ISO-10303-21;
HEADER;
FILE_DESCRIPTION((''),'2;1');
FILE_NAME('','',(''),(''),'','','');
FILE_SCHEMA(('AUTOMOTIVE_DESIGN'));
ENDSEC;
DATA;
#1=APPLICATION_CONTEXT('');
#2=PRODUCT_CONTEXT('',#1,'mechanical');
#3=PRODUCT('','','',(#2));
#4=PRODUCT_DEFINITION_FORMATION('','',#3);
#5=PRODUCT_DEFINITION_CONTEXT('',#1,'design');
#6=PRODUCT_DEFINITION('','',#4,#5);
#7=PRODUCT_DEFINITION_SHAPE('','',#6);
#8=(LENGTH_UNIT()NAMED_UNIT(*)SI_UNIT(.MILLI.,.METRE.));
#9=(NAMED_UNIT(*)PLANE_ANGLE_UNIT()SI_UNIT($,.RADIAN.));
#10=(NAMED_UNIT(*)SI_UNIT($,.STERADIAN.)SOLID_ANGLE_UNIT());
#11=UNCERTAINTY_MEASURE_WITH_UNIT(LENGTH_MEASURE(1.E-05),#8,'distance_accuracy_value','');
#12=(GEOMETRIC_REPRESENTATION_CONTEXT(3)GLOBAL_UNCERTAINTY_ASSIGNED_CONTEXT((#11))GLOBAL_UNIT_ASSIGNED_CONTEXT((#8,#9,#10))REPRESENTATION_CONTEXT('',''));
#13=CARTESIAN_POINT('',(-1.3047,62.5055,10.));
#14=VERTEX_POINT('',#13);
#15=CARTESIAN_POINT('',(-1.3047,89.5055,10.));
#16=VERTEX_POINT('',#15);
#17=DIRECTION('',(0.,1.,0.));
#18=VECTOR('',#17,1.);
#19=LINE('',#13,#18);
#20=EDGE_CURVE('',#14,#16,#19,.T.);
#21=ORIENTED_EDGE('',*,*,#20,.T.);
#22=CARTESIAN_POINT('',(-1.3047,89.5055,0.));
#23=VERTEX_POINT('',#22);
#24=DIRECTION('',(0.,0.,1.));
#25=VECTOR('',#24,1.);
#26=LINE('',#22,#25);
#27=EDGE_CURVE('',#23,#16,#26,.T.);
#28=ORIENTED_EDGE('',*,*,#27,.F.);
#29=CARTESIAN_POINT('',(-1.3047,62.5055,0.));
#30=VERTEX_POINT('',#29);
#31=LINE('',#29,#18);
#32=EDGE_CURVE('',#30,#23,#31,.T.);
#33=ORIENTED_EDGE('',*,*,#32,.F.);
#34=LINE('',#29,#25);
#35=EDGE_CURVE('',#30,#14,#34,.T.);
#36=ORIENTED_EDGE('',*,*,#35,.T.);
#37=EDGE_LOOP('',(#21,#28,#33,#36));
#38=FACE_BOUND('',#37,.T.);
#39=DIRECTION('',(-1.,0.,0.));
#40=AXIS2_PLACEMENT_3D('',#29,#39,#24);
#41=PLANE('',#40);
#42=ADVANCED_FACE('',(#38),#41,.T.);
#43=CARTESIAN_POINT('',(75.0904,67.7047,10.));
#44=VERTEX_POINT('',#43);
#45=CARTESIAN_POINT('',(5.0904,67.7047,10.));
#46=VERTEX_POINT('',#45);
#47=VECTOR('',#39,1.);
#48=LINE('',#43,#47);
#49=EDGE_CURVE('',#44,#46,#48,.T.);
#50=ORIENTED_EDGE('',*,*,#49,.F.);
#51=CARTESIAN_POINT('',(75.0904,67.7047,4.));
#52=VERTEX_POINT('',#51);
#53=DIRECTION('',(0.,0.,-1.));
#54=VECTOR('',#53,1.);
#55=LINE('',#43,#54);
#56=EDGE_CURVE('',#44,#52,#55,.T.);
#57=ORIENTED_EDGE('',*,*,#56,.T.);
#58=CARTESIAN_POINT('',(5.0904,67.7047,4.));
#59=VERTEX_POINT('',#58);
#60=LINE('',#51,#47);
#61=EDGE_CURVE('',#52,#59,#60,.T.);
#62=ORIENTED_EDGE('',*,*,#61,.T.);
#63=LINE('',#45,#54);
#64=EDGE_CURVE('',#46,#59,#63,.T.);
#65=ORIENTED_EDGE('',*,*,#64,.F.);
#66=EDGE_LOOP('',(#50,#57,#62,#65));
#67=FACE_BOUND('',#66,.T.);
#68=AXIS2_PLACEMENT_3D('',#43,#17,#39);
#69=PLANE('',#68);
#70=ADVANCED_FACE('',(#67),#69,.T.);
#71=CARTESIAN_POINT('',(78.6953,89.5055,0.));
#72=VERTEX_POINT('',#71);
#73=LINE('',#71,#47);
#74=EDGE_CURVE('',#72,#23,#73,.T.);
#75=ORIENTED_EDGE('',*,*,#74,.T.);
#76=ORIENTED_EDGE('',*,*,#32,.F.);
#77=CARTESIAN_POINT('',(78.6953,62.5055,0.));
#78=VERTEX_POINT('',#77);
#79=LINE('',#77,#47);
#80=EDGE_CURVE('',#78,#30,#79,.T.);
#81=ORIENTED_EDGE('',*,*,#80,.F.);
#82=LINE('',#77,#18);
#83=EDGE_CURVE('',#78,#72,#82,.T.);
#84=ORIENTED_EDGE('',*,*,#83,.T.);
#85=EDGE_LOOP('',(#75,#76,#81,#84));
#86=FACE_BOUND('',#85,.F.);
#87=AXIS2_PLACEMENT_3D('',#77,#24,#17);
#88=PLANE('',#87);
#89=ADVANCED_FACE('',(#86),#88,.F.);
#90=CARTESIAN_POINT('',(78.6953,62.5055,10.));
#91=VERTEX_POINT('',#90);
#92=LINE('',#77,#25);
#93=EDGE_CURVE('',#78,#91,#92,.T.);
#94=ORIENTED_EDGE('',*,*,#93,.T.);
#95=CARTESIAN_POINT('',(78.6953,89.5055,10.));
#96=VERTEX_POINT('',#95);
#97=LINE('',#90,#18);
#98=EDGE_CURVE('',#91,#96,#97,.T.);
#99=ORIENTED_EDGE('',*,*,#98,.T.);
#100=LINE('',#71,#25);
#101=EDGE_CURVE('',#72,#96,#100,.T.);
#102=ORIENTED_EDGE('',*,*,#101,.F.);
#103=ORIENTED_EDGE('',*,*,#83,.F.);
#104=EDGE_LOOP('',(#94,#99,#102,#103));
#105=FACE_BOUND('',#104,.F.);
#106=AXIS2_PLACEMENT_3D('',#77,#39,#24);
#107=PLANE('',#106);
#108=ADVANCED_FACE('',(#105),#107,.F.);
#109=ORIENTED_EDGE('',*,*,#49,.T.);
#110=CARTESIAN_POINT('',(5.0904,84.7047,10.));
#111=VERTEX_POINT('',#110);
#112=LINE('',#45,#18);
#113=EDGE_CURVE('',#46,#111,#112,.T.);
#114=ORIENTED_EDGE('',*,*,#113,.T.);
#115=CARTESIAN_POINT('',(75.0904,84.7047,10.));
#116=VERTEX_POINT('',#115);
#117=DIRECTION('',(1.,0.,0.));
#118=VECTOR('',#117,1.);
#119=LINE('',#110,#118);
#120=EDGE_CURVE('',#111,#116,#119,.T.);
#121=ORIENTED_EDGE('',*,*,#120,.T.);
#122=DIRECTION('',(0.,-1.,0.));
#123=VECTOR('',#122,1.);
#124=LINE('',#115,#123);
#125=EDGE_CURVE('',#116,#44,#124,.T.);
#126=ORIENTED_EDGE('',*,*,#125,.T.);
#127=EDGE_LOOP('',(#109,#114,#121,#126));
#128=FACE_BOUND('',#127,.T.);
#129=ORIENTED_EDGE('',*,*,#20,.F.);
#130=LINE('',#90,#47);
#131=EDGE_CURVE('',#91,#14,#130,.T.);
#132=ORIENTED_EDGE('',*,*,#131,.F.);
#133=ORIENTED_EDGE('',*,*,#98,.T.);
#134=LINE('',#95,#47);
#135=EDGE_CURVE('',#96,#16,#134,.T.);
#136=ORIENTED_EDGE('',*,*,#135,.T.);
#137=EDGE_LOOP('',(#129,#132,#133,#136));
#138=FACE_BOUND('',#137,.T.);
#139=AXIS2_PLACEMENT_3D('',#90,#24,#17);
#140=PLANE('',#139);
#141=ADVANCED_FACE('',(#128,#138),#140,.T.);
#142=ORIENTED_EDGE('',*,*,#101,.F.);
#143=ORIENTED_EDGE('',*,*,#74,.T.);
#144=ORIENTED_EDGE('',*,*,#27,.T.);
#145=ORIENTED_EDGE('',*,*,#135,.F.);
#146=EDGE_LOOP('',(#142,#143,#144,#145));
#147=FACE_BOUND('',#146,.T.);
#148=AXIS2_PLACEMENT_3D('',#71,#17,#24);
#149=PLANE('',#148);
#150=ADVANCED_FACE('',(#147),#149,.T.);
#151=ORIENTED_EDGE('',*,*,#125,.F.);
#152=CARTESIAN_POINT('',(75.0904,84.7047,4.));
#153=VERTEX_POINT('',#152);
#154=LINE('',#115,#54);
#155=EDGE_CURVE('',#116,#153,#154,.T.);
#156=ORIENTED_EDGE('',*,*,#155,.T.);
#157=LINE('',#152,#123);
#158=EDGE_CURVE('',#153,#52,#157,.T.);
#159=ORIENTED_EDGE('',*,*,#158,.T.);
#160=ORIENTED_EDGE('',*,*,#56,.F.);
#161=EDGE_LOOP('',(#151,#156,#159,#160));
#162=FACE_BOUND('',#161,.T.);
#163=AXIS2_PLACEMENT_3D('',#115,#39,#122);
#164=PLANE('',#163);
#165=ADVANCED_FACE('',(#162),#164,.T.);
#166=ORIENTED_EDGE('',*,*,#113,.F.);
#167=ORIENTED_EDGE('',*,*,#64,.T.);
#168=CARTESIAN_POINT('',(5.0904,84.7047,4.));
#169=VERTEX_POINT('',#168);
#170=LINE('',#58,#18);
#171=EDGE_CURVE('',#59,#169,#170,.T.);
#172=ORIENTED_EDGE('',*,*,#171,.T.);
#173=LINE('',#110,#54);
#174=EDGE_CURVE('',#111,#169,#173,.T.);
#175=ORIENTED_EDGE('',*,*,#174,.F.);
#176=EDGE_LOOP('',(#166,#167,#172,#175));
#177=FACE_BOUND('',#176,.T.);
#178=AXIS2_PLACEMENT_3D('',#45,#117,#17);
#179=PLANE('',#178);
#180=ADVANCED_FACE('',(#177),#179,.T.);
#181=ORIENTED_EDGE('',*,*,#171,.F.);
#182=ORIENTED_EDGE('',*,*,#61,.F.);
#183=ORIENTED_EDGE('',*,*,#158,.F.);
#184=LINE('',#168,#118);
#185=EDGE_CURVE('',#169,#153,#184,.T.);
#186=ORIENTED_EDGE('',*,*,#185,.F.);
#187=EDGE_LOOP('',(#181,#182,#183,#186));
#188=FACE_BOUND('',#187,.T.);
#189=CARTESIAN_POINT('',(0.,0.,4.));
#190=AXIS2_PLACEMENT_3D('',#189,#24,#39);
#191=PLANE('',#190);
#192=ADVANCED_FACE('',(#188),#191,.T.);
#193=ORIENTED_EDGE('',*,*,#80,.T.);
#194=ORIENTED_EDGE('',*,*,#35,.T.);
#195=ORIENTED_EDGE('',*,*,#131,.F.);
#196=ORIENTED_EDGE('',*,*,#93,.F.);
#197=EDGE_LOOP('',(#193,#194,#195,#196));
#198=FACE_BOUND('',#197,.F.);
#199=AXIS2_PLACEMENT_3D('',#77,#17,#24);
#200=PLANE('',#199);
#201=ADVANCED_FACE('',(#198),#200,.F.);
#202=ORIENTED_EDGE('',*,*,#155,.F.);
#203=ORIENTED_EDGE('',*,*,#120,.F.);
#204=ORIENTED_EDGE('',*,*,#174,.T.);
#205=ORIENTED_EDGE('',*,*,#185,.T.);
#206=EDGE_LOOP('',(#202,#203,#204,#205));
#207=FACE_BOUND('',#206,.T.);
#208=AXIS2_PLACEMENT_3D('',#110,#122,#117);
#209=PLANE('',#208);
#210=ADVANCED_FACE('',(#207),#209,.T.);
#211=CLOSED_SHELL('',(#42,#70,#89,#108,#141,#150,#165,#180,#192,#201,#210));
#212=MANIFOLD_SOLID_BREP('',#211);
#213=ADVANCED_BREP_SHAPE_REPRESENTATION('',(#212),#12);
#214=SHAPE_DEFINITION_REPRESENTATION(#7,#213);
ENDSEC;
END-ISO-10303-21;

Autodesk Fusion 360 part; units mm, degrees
box "BoxPrimitive2" add length 27 width 80 height 10 placed x (0, 1, 0) y (-1, 0, 0) z (0, 0, 1) at (78.6953, 62.5055, 0)
sketch "Sketch3" plane through (0, 0, 10) normal (0, 0, 1) x (-1, 0, 0)
  line L0 (-78.6953, -89.5055) -> (1.3047, -89.5055)
  line L1 (1.3047, -89.5055) -> (1.3047, -62.5055)
  line L2 (1.3047, -62.5055) -> (-78.6953, -62.5055)
  line L3 (-78.6953, -62.5055) -> (-78.6953, -89.5055)
  line L4 (-5.0904, -84.7047) -> (-75.0904, -84.7047)
  line L5 (-75.0904, -84.7047) -> (-75.0904, -67.7047)
  line L6 (-75.0904, -67.7047) -> (-5.0904, -67.7047)
  line L7 (-5.0904, -67.7047) -> (-5.0904, -84.7047)
  dimension "d16" = 70
  dimension "d17" = 17
extrude "Extrude1" cut sketch "Sketch3" against normal blind 6 contours L4 L5 L6 L7
